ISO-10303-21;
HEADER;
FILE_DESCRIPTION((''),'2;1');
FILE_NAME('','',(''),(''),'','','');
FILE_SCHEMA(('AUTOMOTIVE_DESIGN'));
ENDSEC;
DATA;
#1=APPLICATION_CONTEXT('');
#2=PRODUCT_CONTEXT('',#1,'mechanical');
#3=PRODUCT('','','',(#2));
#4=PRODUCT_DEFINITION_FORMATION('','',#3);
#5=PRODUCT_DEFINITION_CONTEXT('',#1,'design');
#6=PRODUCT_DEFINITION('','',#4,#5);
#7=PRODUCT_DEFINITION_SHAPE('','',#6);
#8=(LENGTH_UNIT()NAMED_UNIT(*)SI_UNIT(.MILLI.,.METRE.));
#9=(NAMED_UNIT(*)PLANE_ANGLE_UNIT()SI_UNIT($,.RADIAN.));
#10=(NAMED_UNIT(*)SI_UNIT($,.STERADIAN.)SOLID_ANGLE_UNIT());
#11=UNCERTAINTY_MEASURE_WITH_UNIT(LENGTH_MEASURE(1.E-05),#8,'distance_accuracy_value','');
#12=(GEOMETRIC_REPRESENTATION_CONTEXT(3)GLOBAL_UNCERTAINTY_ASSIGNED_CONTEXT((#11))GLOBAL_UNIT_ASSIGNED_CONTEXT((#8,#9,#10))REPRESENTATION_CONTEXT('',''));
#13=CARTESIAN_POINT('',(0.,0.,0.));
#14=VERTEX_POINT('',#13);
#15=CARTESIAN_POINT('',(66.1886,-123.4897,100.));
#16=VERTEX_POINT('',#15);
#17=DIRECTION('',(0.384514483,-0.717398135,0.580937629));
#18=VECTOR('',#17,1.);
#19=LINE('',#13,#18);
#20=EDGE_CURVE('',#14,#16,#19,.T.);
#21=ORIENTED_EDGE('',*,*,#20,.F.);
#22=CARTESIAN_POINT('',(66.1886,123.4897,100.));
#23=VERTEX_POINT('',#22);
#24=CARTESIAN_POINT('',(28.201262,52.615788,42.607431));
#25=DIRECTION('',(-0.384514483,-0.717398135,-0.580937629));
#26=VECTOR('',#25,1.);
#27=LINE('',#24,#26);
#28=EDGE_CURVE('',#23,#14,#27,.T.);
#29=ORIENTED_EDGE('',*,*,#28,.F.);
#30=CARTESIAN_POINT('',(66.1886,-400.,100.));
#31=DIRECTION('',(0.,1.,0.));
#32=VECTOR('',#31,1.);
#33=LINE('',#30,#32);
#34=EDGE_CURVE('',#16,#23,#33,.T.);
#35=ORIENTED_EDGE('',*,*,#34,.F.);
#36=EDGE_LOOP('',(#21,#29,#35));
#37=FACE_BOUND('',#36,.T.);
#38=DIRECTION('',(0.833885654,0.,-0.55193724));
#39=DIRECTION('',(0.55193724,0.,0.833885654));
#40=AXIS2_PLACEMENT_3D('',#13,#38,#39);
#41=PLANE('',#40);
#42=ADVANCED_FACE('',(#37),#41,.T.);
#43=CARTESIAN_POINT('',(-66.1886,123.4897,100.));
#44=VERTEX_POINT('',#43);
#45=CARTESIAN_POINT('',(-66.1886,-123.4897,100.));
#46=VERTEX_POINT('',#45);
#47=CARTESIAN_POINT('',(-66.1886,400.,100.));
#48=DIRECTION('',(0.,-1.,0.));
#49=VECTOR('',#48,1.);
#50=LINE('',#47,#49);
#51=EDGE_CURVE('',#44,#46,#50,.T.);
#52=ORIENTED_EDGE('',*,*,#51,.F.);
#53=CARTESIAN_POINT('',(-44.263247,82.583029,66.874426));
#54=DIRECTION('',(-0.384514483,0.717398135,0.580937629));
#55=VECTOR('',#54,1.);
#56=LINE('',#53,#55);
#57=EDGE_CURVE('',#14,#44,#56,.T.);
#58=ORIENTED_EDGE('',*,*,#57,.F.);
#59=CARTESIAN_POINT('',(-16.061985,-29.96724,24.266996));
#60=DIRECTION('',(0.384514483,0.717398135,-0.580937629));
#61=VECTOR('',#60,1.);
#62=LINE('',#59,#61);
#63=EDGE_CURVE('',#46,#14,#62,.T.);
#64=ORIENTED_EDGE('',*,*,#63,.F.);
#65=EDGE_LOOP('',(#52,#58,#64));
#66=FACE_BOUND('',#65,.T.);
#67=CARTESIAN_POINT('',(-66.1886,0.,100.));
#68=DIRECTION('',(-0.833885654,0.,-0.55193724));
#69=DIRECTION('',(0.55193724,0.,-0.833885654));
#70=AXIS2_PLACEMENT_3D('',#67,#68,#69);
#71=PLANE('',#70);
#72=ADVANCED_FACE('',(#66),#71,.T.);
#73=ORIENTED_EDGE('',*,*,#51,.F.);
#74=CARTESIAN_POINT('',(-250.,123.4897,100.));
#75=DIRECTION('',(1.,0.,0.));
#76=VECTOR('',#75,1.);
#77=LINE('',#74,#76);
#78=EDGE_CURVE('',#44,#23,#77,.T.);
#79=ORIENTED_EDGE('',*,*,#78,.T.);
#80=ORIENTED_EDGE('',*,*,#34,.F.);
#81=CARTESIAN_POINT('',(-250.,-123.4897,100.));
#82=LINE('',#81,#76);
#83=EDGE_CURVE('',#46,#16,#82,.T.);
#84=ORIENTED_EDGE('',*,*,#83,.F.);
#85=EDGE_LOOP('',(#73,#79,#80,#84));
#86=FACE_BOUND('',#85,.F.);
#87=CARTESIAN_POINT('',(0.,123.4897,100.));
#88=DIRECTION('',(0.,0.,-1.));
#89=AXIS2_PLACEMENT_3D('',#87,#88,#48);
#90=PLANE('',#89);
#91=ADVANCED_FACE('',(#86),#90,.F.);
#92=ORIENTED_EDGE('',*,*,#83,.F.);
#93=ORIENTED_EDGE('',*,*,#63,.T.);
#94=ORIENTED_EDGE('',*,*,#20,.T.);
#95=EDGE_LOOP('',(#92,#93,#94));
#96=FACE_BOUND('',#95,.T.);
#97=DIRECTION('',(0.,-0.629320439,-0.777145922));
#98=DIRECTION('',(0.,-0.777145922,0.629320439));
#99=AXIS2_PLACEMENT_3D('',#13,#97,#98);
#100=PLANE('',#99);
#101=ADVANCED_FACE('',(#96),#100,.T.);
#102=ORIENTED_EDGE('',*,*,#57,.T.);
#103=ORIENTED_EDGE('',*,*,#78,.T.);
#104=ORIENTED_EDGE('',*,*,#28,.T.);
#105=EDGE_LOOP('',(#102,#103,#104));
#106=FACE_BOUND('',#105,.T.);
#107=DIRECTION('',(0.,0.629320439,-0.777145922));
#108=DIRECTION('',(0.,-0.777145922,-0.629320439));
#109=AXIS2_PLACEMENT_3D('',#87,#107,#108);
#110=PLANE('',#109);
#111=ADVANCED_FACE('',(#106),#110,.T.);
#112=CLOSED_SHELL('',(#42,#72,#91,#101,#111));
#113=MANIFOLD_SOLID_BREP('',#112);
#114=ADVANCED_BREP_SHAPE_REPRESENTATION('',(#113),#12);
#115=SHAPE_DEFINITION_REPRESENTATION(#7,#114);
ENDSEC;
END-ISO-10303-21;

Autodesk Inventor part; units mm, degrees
ref_plane "YZ Plane" through (0, 0, 0) normal (1, 0, 0) x (0, 1, 0)
ref_plane "XZ Plane" through (0, 0, 0) normal (0, 1, 0) x (-1, 0, 0)
sketch "Эскиз1" plane through (0, 0, 0) normal (0, 1, 0) x (-1, 0, 0)
  line L0 (0, 0) -> (0, 100)
  line L1 (0, 0) -> (-66.1886, 100)
  line L2 (-66.1886, 100) -> (66.1886, 100)
  line L3 (66.1886, 100) -> (0, 0)
  dimension "d0" = 67
  dimension "d1" = 33.5
  dimension "d5" = 100
sketch "Эскиз2" plane through (0, 0, 0) normal (1, 0, 0) x (0, 1, 0)
  line L0 (0, 0) -> (0, 100)
  line L1 (-123.4897, 100) -> (123.4897, 100)
  line L2 (123.4897, 100) -> (0, 0)
  line L3 (0, 0) -> (-123.4897, 100)
  dimension "d2" = 102
  dimension "d3" = 51
  dimension "d6" = 100
ref_plane "РабПлоскость1" through (0, 0, 100) normal (0, 0, 1) x (1, 0, 0)
sketch "Эскиз3" plane through (0, 0, 100) normal (0, 0, 1) x (1, 0, 0)
  line L0 (-66.1886, -123.4897) -> (66.1886, -123.4897)
  line L1 (66.1886, -123.4897) -> (66.1886, 123.4897)
  line L2 (66.1886, 123.4897) -> (-66.1886, 123.4897)
  line L3 (-66.1886, 123.4897) -> (-66.1886, -123.4897)
  line L4 (66.1886, 0) -> (-66.1886, 0) projected
  line L5 (0, -123.4897) -> (0, 123.4897) projected
  point P0 (0, 0)
sketch "Эскиз4" plane through (0, 0, 0) normal (1, 0, 0) x (0, 1, 0)
  line L0 (123.4897, 100) -> (0, 0) projected
  line L1 (0, 0) -> (-123.4897, 100) projected
  line L2 (123.4897, 100) -> (-123.4897, 100) projected
extrude "Выдавливание1" add sketch "Эскиз4" along normal mid plane 500
sketch "Эскиз5" plane through (0, 0, 0) normal (0, 1, 0) x (-1, 0, 0)
  line L0 (250, 0) -> (-250, 0) projected
  line L1 (-250, 100) -> (-250, 0) projected
  line L2 (-250, 100) -> (250, 100) projected
  line L3 (250, 0) -> (250, 100) projected
  line L4 (66.1886, 100) -> (0, 0) projected
  line L5 (0, 0) -> (-66.1886, 100) projected
  point P0 (-100, 57.735)
  point P1 (100, 57.735)
extrude "Выдавливание2" cut sketch "Эскиз5" along normal mid plane 800 contours L0 L4 L2 L3 | L0 L1 L2 L5
equation "\"d1\" = 0.5 * d0"
equation "\"d3\" = 0.5 * d2"
properties part number "camera_vision"
